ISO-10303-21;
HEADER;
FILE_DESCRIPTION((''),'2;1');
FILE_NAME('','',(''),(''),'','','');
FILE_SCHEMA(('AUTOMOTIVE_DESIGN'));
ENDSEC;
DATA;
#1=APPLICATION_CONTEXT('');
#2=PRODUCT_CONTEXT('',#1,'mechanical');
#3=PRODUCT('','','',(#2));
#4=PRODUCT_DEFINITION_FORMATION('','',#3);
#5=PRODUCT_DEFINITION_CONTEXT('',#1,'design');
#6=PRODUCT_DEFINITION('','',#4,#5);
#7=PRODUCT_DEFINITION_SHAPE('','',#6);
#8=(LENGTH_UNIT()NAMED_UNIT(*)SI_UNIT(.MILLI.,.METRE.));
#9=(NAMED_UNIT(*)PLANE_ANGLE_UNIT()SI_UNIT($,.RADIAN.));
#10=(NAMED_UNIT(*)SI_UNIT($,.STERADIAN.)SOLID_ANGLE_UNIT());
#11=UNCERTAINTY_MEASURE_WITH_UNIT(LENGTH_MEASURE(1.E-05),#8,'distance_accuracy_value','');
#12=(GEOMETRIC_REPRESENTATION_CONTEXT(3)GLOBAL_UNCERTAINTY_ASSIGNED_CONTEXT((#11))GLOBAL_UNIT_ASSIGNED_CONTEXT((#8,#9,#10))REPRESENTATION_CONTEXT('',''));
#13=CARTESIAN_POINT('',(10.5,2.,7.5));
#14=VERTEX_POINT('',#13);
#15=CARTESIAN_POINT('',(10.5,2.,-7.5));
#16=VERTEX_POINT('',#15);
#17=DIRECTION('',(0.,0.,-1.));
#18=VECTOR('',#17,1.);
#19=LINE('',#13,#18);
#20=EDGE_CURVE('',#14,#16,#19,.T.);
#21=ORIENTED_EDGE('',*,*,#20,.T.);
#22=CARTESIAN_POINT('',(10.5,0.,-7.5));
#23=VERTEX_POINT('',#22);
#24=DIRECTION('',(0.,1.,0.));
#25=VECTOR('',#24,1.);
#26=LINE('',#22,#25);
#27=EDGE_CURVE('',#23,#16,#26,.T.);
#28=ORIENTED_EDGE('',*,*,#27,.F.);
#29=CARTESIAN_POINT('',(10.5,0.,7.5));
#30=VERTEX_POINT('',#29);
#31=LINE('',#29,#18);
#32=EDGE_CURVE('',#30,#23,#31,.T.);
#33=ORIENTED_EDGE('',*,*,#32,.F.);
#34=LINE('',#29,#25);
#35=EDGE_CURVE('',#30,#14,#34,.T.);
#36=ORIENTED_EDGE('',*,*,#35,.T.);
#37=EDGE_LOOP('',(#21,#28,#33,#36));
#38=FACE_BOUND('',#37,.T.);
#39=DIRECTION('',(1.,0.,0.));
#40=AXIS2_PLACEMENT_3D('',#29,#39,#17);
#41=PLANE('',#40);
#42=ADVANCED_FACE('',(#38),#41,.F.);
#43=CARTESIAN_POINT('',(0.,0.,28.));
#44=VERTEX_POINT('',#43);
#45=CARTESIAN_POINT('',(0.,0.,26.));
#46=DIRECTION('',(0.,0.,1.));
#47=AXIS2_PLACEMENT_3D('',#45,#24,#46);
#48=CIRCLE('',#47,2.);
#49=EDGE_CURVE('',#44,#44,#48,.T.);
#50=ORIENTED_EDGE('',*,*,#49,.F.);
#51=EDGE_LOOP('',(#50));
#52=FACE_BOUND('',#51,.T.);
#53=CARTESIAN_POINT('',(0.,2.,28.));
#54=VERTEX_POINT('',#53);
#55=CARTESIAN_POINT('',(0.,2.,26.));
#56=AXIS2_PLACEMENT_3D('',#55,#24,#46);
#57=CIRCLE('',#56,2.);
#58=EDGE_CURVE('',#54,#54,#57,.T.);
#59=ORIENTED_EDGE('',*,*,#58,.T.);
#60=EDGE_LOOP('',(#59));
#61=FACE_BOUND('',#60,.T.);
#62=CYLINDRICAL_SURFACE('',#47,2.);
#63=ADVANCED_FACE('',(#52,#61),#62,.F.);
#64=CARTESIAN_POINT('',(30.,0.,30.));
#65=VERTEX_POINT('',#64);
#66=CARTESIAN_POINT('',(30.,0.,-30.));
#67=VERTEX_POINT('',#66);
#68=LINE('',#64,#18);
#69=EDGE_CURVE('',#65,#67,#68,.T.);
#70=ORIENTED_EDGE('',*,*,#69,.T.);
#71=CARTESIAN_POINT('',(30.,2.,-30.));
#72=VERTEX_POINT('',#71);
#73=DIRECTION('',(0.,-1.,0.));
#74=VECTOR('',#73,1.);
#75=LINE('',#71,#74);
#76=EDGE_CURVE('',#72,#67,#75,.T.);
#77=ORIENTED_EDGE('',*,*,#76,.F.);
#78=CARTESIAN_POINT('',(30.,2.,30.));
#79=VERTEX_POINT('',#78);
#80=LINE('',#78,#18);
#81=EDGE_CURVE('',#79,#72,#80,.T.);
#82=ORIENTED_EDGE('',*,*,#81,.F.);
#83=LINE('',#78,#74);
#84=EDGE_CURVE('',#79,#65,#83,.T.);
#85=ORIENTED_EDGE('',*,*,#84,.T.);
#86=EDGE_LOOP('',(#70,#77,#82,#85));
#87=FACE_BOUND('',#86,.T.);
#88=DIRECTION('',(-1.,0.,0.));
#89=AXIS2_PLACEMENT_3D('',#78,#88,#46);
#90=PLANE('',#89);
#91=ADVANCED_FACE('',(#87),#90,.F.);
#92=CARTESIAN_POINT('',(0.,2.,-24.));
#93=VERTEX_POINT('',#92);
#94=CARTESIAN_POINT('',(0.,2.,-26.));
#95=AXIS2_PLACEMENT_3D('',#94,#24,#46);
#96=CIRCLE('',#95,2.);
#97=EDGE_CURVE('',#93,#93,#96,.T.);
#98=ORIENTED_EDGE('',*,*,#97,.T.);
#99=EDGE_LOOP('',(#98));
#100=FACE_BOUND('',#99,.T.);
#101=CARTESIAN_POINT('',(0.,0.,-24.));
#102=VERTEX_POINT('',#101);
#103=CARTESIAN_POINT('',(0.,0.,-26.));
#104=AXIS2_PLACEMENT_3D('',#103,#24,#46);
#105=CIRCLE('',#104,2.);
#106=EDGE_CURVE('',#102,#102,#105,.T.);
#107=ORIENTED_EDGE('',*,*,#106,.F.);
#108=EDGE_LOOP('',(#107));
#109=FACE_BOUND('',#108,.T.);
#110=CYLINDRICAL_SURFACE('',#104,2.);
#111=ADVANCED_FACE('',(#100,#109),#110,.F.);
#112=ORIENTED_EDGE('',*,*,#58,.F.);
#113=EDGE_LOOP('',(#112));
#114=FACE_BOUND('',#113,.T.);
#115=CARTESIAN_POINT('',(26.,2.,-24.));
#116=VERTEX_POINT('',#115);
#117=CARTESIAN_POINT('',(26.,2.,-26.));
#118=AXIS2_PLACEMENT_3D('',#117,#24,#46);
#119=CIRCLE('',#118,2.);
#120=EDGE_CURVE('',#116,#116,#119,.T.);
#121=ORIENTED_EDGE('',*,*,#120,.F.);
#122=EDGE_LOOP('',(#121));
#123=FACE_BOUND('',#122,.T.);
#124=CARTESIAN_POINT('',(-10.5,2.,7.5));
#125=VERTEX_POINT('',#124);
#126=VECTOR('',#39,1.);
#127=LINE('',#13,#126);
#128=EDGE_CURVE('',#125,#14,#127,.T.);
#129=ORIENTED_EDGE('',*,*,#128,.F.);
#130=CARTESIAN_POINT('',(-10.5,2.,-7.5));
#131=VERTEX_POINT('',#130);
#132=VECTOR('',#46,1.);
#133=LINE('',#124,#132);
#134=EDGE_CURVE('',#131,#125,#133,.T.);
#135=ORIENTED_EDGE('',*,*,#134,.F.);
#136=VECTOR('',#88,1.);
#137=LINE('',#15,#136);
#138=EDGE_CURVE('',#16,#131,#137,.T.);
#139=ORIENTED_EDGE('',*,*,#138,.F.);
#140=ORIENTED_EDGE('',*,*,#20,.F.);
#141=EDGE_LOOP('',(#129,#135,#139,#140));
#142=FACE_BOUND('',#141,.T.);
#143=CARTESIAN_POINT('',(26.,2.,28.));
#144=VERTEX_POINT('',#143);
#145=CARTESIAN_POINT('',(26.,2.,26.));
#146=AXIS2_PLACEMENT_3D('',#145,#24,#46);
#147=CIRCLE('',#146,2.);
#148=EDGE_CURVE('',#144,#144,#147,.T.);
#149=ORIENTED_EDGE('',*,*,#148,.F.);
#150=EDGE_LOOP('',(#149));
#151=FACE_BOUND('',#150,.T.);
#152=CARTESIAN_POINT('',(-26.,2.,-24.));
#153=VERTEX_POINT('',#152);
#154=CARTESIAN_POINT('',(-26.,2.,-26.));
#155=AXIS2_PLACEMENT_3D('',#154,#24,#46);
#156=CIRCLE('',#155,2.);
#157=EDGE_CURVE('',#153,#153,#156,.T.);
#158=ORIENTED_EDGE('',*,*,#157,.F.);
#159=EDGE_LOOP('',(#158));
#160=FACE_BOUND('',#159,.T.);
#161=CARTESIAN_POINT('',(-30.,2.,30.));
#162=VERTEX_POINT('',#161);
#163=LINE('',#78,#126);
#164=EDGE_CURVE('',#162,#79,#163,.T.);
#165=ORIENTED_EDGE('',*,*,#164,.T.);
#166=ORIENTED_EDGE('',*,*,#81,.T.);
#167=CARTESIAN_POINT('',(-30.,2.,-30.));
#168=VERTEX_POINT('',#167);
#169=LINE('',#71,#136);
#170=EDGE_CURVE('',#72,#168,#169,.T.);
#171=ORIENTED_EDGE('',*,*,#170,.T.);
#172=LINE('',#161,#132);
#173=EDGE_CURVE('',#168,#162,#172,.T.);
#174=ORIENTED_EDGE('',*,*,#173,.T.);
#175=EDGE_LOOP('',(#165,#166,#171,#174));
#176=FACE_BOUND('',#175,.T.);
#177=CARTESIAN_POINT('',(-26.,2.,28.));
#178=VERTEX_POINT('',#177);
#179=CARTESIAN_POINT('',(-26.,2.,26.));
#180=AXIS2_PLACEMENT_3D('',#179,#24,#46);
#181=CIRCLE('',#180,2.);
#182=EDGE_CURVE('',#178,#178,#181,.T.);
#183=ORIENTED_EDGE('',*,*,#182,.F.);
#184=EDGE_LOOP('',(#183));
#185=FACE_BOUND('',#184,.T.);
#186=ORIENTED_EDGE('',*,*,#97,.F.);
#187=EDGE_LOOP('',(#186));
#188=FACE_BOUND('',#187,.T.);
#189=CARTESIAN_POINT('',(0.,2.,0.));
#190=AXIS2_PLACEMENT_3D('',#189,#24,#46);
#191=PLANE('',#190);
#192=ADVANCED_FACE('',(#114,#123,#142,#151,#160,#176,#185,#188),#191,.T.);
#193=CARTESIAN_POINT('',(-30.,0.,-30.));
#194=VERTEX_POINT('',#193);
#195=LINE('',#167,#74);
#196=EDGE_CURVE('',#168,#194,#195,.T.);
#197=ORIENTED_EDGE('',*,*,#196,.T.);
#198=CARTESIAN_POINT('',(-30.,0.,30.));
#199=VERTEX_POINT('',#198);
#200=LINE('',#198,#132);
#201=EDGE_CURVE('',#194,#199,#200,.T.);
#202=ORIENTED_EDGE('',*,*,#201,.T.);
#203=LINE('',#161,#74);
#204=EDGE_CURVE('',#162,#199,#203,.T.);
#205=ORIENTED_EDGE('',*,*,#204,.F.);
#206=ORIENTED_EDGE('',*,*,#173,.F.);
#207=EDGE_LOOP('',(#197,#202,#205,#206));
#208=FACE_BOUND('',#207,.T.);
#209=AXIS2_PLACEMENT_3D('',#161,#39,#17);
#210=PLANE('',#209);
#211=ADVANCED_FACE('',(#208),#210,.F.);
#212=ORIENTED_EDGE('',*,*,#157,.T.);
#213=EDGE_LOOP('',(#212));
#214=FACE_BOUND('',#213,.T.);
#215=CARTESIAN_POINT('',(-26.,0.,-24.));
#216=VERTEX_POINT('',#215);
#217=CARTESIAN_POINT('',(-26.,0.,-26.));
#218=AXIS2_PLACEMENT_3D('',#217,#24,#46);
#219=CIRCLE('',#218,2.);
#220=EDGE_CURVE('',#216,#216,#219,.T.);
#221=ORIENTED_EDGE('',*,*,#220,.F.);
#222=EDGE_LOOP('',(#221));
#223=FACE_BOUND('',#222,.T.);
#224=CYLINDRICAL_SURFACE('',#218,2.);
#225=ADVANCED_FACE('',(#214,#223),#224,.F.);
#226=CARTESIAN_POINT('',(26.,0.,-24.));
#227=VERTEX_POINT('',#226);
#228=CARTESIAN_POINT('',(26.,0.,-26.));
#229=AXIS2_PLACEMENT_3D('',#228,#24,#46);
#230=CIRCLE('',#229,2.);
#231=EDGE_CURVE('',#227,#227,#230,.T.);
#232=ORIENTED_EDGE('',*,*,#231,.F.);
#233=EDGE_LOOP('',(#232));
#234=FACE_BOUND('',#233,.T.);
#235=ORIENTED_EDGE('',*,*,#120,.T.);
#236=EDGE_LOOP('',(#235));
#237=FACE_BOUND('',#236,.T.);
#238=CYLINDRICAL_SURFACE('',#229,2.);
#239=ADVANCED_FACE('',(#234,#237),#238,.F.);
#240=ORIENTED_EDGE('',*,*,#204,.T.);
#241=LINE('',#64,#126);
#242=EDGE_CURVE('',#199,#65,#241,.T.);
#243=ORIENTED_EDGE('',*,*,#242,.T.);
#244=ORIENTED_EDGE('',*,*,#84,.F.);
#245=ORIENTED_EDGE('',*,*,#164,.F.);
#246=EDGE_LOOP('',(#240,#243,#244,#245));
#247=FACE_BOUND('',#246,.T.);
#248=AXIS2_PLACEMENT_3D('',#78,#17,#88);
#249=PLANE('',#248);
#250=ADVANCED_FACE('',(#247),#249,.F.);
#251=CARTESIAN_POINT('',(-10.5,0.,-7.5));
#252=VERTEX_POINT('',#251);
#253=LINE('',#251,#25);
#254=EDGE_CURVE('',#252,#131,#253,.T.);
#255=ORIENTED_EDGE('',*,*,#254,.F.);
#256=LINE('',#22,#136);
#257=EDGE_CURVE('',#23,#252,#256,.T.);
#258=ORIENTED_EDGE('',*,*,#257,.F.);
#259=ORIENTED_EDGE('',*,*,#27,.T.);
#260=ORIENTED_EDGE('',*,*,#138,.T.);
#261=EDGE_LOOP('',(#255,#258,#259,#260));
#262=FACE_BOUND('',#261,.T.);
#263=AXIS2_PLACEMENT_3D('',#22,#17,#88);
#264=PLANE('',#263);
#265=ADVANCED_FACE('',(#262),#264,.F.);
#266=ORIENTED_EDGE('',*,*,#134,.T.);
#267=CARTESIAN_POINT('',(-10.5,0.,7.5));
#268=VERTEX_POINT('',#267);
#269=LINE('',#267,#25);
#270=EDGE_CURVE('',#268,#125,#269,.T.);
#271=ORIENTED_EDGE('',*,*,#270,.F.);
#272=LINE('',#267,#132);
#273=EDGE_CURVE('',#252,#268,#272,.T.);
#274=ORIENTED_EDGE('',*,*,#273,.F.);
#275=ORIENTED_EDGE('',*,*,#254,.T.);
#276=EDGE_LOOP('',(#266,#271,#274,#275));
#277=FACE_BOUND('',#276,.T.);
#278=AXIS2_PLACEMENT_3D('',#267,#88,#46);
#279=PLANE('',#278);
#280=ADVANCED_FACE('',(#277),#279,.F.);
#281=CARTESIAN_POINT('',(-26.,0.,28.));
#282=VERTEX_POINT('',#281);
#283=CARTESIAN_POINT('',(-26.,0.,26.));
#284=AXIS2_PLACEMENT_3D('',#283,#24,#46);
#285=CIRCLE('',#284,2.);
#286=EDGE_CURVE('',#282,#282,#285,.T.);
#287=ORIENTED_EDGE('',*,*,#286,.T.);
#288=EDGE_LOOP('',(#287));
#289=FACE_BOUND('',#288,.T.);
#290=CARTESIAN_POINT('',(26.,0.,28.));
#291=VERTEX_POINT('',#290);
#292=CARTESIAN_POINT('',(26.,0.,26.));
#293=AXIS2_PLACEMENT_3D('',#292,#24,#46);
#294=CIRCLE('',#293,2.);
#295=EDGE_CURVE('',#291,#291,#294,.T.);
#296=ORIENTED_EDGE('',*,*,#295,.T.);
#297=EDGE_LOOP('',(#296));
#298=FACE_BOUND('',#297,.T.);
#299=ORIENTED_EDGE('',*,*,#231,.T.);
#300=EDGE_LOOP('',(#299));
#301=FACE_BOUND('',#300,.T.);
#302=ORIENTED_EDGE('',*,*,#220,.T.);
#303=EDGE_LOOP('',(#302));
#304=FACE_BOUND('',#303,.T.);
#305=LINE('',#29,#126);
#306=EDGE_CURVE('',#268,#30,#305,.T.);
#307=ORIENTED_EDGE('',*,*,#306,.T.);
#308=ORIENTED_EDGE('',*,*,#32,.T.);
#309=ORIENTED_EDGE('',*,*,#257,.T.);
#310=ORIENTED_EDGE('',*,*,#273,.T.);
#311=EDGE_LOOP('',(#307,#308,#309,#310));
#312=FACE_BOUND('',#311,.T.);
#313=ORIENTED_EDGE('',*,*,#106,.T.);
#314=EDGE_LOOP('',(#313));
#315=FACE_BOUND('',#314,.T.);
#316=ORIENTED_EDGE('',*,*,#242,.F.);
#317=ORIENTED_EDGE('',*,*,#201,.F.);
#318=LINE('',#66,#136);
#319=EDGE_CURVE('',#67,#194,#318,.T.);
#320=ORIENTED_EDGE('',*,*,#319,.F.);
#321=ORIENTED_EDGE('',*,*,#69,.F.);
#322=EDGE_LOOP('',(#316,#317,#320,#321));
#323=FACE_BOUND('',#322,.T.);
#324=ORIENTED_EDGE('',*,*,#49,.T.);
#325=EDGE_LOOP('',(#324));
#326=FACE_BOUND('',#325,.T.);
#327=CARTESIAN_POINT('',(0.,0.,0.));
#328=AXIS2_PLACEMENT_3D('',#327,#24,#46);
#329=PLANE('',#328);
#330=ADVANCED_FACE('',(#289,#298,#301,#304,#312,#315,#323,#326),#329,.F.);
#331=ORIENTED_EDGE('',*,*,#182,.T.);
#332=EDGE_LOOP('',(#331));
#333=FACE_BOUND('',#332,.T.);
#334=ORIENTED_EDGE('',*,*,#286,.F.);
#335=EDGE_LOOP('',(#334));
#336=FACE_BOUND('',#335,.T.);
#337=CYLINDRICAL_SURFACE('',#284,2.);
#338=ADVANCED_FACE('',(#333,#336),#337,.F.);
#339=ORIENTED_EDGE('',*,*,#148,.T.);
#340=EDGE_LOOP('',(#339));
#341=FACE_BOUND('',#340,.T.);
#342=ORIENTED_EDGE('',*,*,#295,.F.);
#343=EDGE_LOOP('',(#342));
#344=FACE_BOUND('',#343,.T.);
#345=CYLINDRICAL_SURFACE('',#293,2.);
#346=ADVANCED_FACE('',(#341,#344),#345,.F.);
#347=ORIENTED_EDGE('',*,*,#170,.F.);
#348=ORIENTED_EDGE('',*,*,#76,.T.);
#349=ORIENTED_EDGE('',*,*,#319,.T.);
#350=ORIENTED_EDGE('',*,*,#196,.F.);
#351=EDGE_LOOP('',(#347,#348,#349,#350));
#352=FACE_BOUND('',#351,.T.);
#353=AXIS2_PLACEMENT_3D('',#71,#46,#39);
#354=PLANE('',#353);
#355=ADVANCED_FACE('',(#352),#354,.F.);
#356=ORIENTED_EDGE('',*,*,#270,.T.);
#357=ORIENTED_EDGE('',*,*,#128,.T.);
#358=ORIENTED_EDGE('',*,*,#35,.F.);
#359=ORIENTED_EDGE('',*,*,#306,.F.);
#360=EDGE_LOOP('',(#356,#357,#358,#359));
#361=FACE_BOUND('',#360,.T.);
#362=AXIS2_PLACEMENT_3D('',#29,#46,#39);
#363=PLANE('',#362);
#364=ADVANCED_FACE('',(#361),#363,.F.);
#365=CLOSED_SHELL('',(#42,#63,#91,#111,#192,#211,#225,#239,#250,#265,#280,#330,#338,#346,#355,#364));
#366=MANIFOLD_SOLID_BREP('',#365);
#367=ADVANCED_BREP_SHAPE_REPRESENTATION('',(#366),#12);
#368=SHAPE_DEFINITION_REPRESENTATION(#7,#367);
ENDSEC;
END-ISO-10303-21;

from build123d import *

# Parameters (mm, degrees)
SKETCH1_W           = 60
SKETCH1_H           = 60
BOSS_EXTRUDE1_DEPTH = 2
SKETCH2_R           = 2
CUT_EXTRUDE1_DEPTH  = 3
SKETCH3_W           = 21
SKETCH3_H           = 15
CUT_EXTRUDE2_DEPTH  = 2


with BuildPart() as part:
    # Sketch1 → Boss-Extrude1 (new body)
    with BuildSketch(Plane(origin=(0, 0, 0), x_dir=(1, 0, 0), z_dir=(0, 1, 0))):
        Rectangle(SKETCH1_W, SKETCH1_H)
    extrude(amount=BOSS_EXTRUDE1_DEPTH)

    # Sketch2 → Cut-Extrude1 (cut, through all)
    with BuildSketch(Plane(origin=(0, 2, 0), x_dir=(1, 0, 0), z_dir=(0, 1, 0))):
        with Locations((-26, 26)):
            Circle(SKETCH2_R)
        with Locations((0, 26)):
            Circle(SKETCH2_R)
        with Locations((26, 26)):
            Circle(SKETCH2_R)
        with Locations((26, -26)):
            Circle(SKETCH2_R)
        with Locations((0, -26)):
            Circle(SKETCH2_R)
        with Locations((-26, -26)):
            Circle(SKETCH2_R)
    extrude(amount=-CUT_EXTRUDE1_DEPTH, mode=Mode.SUBTRACT)

    # Sketch3 → Cut-Extrude2 (cut)
    with BuildSketch(Plane(origin=(0, 2, 0), x_dir=(1, 0, 0), z_dir=(0, 1, 0))):
        Rectangle(SKETCH3_W, SKETCH3_H)
    extrude(amount=-CUT_EXTRUDE2_DEPTH, mode=Mode.SUBTRACT)


solid = part.part
